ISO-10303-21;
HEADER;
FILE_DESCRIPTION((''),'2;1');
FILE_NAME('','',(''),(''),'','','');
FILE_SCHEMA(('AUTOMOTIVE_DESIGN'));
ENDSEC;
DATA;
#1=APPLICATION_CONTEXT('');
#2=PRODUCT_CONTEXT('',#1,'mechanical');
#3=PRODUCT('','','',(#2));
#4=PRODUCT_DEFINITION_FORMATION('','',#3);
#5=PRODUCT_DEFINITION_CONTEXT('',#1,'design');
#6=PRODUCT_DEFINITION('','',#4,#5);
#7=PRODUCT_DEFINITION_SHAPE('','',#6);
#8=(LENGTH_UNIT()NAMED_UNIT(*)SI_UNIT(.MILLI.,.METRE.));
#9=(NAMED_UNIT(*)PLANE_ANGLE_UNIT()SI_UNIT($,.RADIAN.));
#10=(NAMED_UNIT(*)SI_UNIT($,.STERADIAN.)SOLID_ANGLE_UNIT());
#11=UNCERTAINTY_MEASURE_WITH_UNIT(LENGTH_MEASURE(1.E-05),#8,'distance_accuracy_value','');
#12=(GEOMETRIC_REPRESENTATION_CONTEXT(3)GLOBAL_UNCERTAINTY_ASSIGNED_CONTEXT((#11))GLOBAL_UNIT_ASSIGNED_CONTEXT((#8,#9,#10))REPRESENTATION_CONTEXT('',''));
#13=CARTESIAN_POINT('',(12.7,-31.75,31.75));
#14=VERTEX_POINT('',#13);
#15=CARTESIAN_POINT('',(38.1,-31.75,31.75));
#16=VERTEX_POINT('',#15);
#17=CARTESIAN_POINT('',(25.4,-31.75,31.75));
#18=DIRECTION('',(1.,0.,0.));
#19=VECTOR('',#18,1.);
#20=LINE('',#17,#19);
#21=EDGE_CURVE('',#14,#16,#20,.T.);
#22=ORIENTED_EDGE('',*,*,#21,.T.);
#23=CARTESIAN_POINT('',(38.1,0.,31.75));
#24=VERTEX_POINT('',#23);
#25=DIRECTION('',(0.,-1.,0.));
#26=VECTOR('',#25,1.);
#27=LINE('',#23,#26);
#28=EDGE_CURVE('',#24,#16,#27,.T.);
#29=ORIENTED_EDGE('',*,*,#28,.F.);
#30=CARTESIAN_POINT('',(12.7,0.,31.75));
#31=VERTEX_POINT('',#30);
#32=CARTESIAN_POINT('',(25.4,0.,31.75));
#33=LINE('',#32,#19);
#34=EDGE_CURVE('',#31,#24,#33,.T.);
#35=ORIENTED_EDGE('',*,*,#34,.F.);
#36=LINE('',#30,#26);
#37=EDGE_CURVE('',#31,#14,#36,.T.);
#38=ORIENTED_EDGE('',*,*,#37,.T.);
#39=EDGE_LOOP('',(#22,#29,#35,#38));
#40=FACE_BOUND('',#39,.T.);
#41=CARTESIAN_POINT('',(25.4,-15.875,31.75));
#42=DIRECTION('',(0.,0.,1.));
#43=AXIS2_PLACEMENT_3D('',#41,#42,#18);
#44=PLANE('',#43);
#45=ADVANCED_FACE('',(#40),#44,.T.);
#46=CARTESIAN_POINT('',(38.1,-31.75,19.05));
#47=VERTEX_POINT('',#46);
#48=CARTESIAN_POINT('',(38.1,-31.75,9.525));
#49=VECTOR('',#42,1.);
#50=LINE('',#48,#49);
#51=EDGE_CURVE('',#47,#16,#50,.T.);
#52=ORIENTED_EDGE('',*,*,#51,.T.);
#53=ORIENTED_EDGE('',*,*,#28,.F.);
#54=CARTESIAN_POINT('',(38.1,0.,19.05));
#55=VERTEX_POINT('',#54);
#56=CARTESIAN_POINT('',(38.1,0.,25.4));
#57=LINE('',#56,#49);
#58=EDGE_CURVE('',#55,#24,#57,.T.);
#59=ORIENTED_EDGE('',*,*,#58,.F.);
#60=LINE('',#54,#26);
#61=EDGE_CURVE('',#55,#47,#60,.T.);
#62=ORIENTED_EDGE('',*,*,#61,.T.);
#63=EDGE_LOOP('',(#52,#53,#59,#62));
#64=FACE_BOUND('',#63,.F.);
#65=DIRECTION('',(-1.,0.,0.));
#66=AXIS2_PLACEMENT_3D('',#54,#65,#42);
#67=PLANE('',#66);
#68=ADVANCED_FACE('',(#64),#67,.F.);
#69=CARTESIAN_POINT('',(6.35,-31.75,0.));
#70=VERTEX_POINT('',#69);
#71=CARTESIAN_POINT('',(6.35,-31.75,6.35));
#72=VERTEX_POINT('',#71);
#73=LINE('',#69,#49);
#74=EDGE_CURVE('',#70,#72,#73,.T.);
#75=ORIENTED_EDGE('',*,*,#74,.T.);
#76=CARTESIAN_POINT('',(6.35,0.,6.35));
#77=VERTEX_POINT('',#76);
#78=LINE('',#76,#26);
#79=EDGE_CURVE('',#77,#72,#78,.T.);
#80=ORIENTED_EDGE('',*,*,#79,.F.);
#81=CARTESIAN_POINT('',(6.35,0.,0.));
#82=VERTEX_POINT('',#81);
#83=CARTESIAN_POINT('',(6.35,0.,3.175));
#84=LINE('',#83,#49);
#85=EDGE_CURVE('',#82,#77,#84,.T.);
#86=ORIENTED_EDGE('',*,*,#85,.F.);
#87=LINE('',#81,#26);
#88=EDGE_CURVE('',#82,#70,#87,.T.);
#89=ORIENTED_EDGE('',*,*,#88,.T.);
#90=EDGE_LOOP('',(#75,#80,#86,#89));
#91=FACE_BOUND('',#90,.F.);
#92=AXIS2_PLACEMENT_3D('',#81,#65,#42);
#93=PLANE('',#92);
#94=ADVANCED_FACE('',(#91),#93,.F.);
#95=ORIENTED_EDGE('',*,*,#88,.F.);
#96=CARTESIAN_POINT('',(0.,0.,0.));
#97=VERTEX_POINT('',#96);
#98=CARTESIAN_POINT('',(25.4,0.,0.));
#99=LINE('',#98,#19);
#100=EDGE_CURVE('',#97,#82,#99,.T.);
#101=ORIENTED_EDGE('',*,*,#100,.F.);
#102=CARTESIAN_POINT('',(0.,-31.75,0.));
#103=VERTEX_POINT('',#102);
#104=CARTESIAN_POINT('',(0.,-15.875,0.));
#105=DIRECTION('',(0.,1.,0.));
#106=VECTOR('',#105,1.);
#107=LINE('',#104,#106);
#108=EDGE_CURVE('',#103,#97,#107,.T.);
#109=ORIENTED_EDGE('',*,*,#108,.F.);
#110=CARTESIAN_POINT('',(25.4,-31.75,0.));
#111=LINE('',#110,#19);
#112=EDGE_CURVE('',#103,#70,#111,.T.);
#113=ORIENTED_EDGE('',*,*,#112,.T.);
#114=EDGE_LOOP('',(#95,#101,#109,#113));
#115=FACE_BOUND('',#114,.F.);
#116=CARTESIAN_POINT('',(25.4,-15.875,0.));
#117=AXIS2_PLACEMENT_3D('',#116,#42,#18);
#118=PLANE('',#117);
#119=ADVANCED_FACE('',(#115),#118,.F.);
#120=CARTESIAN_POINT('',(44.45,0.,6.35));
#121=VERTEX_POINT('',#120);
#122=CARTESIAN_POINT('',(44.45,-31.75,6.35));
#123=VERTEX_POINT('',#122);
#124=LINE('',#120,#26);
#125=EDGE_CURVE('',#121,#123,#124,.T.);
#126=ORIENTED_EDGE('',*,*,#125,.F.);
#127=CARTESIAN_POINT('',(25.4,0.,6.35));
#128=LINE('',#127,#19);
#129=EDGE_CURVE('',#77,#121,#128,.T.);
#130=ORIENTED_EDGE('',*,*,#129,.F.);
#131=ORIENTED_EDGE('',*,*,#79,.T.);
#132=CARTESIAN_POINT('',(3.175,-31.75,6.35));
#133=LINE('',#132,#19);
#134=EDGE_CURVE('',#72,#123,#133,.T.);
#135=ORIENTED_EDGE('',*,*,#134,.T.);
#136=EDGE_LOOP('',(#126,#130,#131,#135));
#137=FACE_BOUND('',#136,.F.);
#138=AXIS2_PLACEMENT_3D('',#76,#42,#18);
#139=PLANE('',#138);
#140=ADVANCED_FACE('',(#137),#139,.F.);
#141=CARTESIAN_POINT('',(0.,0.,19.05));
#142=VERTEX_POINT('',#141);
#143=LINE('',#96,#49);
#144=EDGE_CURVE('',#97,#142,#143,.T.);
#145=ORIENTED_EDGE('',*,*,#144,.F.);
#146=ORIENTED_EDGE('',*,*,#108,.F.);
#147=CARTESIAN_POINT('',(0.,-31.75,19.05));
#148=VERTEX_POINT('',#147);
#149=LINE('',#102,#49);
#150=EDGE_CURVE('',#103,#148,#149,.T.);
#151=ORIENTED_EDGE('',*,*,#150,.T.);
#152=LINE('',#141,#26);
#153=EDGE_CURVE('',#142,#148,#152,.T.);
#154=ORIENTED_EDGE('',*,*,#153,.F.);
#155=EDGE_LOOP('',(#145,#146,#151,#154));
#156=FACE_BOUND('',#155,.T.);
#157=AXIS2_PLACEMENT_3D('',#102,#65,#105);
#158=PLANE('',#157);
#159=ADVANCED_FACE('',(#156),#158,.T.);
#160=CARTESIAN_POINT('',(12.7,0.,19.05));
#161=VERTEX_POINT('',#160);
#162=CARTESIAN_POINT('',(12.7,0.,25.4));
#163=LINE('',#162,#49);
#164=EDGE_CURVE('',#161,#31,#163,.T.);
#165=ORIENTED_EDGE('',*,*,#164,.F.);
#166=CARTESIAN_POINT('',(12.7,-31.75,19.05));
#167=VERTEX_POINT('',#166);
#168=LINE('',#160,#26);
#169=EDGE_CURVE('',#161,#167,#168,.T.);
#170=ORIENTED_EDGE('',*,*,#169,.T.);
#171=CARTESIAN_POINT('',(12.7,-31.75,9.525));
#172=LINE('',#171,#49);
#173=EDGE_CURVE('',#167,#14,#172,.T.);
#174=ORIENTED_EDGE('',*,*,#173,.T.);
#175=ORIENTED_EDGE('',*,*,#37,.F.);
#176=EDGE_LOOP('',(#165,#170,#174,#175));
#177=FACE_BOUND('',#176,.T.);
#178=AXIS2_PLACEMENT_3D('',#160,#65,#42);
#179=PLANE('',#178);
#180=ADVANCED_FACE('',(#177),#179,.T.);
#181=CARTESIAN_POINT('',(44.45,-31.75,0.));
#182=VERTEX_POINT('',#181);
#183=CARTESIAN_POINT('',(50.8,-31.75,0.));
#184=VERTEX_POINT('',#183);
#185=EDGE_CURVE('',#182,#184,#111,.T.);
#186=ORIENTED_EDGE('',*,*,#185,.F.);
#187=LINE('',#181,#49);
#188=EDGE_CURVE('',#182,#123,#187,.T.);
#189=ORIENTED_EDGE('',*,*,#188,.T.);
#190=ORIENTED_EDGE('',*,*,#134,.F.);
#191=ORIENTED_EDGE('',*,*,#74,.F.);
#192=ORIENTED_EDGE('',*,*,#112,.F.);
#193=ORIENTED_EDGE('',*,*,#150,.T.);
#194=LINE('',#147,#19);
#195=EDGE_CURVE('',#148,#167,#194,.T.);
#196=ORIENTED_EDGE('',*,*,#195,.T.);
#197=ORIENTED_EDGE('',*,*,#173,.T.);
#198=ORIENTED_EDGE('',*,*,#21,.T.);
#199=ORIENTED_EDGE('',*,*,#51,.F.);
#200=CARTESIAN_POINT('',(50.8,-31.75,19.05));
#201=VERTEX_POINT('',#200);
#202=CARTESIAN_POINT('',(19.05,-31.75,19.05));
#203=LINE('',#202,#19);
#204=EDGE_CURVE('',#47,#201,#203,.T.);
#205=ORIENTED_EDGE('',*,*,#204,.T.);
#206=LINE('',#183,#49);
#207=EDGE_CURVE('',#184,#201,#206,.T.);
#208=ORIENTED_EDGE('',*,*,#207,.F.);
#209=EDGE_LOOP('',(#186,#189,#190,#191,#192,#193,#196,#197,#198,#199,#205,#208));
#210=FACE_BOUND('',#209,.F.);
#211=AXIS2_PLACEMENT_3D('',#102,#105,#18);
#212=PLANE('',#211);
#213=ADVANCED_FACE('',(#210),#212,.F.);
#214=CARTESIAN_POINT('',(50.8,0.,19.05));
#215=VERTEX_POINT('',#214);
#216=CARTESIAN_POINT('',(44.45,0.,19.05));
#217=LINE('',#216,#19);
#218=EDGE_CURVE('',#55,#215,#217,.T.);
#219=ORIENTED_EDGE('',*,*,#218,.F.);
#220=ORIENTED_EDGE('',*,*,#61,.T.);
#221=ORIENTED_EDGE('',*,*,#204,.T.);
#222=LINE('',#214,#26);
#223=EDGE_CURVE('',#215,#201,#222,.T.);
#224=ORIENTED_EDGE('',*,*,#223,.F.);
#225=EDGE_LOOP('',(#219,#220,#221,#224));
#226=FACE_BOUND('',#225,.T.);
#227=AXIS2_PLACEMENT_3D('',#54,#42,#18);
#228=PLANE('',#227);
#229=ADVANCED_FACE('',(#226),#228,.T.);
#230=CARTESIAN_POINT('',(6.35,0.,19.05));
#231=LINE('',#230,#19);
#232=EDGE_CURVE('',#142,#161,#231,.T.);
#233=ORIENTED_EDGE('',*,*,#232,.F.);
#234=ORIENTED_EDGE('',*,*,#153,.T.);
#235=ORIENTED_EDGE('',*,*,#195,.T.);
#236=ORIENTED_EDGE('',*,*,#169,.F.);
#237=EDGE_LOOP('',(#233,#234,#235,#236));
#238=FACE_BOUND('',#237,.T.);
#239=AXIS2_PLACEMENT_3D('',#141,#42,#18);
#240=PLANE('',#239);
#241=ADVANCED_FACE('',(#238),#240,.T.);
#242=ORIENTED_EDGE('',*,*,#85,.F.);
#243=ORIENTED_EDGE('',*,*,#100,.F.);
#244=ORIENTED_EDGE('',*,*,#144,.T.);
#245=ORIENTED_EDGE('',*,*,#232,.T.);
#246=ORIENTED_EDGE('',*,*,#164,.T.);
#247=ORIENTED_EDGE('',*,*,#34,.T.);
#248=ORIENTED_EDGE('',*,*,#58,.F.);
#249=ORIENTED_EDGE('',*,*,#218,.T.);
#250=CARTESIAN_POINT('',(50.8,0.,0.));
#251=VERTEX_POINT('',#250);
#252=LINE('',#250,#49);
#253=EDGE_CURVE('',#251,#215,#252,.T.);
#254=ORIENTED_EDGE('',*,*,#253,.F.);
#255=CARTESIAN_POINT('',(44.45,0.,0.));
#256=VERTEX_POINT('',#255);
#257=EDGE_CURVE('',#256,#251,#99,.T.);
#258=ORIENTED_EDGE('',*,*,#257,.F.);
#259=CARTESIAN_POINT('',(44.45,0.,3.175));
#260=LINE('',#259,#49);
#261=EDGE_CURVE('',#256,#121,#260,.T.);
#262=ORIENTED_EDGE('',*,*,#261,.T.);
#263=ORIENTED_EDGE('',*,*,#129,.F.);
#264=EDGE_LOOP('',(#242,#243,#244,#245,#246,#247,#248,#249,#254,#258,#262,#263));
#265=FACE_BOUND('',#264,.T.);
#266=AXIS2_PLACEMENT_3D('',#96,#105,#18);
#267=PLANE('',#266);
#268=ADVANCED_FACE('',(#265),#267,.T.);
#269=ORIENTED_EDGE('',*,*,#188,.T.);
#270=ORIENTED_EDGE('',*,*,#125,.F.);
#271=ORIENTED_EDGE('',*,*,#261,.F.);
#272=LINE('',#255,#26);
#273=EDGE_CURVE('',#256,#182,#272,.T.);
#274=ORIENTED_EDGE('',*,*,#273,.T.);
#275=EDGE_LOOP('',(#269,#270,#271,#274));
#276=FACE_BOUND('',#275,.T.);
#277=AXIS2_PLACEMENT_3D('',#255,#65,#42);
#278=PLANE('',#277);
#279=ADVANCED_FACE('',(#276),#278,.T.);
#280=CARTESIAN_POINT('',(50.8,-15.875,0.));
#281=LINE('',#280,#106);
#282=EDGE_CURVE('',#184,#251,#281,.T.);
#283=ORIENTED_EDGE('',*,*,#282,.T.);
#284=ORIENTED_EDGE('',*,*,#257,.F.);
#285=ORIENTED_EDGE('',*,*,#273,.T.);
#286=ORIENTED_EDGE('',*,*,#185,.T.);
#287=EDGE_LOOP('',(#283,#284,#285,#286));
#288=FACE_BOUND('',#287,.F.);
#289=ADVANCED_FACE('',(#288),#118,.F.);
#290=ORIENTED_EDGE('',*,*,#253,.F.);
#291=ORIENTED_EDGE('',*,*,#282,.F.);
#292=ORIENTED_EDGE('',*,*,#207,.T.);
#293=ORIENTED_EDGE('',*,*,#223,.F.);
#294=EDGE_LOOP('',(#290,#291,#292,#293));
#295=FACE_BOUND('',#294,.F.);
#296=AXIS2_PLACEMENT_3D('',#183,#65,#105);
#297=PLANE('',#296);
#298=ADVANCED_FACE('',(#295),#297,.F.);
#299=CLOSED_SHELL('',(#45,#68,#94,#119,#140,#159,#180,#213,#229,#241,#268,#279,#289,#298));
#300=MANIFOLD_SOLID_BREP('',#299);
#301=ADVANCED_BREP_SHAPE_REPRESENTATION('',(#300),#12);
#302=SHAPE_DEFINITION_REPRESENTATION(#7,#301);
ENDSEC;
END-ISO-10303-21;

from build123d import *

# Parameters (mm, degrees)
F0_W     = 50.8
F0_H     = 31.75
F1_DEPTH = 31.75
F2_W     = 12.7
F2_H     = 12.7
F2_W_2   = 38.1
F2_H_2   = 6.35
F3_DEPTH = 56.642


with BuildPart() as f1:
    # F0 (on Top) → F1 (new body)
    with BuildSketch(Plane.XY):
        with Locations((25.4, -15.875)):
            Rectangle(F0_W, F0_H)
    extrude(amount=F1_DEPTH)

    # F2 (on Front) → F3 (cut)
    with BuildSketch(Plane.XZ):
        with Locations((6.35, 25.4)):
            Rectangle(F2_W, F2_H)
        with Locations((44.45, 25.4)):
            Rectangle(F2_W, F2_H)
        with Locations((25.4, 3.175)):
            Rectangle(F2_W_2, F2_H_2)
    extrude(amount=F3_DEPTH, mode=Mode.SUBTRACT)


solid = f1.part
